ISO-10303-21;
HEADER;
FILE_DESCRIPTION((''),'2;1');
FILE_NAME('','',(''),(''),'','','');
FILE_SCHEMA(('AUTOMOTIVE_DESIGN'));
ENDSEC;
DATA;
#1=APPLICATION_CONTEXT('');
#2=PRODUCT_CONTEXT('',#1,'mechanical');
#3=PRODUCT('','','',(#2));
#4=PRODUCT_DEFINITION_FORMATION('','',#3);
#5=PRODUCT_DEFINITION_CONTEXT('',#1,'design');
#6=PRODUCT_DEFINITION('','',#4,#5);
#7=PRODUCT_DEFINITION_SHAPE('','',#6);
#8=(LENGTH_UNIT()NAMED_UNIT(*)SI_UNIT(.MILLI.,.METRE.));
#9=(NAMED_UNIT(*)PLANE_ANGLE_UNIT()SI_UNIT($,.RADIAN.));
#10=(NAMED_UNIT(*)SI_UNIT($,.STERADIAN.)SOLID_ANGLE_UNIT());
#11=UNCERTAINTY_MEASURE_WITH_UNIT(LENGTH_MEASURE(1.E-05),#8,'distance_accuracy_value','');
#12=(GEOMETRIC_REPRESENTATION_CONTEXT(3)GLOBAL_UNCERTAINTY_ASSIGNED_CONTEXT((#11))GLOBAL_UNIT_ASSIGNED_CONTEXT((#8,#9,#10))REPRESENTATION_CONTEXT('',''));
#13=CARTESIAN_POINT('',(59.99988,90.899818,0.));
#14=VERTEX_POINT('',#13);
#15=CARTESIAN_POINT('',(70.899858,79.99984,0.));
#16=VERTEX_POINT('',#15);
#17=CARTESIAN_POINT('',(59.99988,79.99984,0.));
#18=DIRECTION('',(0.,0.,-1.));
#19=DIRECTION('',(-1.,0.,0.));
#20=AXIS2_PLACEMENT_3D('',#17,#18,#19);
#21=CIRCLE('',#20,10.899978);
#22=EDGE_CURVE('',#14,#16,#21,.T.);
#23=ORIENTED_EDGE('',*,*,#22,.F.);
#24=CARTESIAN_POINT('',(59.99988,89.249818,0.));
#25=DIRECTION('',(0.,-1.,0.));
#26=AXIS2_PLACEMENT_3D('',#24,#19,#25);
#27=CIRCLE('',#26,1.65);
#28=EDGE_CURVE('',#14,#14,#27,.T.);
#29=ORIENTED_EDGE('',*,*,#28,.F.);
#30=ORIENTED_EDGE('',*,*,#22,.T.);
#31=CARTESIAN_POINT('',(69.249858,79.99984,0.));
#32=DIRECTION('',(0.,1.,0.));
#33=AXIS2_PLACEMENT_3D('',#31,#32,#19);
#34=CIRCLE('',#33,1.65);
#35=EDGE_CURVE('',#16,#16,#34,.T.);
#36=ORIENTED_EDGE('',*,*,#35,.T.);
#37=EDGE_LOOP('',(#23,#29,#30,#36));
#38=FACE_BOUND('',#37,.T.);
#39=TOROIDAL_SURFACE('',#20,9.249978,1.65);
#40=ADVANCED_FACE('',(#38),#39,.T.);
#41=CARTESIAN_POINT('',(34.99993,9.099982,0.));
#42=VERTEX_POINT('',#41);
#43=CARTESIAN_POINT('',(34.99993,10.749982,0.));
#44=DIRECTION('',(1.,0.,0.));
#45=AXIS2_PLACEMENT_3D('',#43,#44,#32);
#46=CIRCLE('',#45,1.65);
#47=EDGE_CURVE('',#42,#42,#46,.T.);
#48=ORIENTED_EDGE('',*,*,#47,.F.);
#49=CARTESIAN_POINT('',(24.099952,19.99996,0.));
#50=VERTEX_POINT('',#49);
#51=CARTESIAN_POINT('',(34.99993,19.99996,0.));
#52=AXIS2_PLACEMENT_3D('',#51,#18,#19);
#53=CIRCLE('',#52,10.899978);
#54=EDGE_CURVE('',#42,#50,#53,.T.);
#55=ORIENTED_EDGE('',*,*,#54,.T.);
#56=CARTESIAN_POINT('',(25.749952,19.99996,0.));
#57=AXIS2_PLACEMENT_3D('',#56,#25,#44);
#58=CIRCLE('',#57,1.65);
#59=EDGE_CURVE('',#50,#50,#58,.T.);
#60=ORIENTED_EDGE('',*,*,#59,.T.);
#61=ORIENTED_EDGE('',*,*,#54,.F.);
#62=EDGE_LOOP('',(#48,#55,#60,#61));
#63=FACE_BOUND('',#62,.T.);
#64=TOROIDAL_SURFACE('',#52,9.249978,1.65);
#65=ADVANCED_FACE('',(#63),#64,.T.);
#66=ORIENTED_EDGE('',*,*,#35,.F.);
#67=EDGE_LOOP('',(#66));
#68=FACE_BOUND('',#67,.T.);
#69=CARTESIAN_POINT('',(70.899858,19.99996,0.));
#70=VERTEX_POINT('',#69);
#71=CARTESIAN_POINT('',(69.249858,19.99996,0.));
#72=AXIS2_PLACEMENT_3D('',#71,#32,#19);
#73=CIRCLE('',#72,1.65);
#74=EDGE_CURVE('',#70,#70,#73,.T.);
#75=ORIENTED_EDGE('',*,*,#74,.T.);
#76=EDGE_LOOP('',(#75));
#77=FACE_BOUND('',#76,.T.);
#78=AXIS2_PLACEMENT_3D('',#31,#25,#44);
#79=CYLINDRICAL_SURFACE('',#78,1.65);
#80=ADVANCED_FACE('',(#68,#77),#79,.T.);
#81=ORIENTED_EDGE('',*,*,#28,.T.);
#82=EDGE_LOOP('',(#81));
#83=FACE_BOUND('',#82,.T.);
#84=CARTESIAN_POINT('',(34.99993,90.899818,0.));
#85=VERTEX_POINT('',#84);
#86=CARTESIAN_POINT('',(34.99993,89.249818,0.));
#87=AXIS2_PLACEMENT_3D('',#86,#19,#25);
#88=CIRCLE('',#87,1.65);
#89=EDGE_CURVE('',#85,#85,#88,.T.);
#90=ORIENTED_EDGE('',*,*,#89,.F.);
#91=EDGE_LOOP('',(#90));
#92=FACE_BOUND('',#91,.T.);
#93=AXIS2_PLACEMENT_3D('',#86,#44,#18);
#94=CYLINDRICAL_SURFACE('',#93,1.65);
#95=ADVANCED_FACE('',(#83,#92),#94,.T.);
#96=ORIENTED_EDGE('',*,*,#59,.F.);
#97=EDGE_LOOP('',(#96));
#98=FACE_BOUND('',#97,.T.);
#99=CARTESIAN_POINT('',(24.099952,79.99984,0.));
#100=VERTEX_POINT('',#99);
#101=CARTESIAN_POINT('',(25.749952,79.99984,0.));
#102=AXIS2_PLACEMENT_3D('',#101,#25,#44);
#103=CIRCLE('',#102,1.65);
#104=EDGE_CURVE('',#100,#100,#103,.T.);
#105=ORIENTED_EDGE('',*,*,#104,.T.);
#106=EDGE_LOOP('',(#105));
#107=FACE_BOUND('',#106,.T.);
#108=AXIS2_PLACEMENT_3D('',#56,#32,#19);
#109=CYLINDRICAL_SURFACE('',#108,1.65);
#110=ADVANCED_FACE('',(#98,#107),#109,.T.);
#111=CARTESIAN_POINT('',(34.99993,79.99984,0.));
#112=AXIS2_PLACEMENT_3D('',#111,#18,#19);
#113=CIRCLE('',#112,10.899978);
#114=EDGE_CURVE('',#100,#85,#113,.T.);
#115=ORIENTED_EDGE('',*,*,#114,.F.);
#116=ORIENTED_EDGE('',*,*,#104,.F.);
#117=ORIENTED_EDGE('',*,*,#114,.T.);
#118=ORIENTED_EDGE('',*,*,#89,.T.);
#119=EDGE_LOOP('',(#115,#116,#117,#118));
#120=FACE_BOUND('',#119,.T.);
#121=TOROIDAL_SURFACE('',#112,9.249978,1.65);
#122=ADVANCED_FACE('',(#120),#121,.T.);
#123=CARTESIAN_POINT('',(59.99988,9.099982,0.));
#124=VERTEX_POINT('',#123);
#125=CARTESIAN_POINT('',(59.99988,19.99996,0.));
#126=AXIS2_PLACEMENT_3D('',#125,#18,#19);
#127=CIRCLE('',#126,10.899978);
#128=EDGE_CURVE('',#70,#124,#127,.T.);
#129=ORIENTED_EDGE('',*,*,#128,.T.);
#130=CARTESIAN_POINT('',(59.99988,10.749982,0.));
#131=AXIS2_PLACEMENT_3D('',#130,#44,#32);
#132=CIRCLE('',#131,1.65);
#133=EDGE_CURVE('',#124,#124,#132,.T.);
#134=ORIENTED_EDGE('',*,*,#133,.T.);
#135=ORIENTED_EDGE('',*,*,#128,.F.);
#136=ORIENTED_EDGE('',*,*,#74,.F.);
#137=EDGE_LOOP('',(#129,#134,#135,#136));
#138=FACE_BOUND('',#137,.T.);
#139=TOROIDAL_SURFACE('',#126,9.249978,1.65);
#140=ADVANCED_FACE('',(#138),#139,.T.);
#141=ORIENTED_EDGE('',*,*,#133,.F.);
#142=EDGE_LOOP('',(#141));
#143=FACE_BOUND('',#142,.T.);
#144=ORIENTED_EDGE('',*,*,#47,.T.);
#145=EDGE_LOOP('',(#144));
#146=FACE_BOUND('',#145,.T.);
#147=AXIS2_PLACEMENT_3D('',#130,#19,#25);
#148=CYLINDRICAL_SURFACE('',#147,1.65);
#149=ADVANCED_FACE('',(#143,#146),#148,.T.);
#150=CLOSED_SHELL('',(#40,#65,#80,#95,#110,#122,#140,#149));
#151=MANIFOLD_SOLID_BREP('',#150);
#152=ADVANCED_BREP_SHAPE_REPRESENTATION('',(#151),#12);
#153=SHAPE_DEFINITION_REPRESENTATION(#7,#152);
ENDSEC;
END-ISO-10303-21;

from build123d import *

# Parameters (mm, degrees)
SWEEP1_PROFILE_R = 1.65


with BuildPart() as part:
    # Sweep1: sweep along a path in Sketch1
    with BuildLine(Plane.XY) as sweep1_path:
        Line((69.249858, 19.99996), (69.249858, 79.99984))
        ThreePointArc((69.249858, 79.99984), (66.54060217, 86.54056217), (59.99988, 89.249818))
        Line((59.99988, 89.249818), (34.99993, 89.249818))
        ThreePointArc((34.99993, 89.249818), (28.45920783, 86.54056217), (25.749952, 79.99984))
        Line((25.749952, 79.99984), (25.749952, 19.99996))
        ThreePointArc((25.749952, 19.99996), (28.45920783, 13.45923783), (34.99993, 10.749982))
        Line((34.99993, 10.749982), (59.99988, 10.749982))
        ThreePointArc((59.99988, 10.749982), (66.54060217, 13.45923783), (69.249858, 19.99996))
    # Sweep1 profile (on start of the path) → Sweep1 (sweep)
    with BuildSketch(Plane(origin=(69.249858, 19.99996, 0), x_dir=(1, 0, 0), z_dir=(0, 1, 0))):
        Circle(SWEEP1_PROFILE_R)
    sweep(path=sweep1_path.line)


solid = part.part
